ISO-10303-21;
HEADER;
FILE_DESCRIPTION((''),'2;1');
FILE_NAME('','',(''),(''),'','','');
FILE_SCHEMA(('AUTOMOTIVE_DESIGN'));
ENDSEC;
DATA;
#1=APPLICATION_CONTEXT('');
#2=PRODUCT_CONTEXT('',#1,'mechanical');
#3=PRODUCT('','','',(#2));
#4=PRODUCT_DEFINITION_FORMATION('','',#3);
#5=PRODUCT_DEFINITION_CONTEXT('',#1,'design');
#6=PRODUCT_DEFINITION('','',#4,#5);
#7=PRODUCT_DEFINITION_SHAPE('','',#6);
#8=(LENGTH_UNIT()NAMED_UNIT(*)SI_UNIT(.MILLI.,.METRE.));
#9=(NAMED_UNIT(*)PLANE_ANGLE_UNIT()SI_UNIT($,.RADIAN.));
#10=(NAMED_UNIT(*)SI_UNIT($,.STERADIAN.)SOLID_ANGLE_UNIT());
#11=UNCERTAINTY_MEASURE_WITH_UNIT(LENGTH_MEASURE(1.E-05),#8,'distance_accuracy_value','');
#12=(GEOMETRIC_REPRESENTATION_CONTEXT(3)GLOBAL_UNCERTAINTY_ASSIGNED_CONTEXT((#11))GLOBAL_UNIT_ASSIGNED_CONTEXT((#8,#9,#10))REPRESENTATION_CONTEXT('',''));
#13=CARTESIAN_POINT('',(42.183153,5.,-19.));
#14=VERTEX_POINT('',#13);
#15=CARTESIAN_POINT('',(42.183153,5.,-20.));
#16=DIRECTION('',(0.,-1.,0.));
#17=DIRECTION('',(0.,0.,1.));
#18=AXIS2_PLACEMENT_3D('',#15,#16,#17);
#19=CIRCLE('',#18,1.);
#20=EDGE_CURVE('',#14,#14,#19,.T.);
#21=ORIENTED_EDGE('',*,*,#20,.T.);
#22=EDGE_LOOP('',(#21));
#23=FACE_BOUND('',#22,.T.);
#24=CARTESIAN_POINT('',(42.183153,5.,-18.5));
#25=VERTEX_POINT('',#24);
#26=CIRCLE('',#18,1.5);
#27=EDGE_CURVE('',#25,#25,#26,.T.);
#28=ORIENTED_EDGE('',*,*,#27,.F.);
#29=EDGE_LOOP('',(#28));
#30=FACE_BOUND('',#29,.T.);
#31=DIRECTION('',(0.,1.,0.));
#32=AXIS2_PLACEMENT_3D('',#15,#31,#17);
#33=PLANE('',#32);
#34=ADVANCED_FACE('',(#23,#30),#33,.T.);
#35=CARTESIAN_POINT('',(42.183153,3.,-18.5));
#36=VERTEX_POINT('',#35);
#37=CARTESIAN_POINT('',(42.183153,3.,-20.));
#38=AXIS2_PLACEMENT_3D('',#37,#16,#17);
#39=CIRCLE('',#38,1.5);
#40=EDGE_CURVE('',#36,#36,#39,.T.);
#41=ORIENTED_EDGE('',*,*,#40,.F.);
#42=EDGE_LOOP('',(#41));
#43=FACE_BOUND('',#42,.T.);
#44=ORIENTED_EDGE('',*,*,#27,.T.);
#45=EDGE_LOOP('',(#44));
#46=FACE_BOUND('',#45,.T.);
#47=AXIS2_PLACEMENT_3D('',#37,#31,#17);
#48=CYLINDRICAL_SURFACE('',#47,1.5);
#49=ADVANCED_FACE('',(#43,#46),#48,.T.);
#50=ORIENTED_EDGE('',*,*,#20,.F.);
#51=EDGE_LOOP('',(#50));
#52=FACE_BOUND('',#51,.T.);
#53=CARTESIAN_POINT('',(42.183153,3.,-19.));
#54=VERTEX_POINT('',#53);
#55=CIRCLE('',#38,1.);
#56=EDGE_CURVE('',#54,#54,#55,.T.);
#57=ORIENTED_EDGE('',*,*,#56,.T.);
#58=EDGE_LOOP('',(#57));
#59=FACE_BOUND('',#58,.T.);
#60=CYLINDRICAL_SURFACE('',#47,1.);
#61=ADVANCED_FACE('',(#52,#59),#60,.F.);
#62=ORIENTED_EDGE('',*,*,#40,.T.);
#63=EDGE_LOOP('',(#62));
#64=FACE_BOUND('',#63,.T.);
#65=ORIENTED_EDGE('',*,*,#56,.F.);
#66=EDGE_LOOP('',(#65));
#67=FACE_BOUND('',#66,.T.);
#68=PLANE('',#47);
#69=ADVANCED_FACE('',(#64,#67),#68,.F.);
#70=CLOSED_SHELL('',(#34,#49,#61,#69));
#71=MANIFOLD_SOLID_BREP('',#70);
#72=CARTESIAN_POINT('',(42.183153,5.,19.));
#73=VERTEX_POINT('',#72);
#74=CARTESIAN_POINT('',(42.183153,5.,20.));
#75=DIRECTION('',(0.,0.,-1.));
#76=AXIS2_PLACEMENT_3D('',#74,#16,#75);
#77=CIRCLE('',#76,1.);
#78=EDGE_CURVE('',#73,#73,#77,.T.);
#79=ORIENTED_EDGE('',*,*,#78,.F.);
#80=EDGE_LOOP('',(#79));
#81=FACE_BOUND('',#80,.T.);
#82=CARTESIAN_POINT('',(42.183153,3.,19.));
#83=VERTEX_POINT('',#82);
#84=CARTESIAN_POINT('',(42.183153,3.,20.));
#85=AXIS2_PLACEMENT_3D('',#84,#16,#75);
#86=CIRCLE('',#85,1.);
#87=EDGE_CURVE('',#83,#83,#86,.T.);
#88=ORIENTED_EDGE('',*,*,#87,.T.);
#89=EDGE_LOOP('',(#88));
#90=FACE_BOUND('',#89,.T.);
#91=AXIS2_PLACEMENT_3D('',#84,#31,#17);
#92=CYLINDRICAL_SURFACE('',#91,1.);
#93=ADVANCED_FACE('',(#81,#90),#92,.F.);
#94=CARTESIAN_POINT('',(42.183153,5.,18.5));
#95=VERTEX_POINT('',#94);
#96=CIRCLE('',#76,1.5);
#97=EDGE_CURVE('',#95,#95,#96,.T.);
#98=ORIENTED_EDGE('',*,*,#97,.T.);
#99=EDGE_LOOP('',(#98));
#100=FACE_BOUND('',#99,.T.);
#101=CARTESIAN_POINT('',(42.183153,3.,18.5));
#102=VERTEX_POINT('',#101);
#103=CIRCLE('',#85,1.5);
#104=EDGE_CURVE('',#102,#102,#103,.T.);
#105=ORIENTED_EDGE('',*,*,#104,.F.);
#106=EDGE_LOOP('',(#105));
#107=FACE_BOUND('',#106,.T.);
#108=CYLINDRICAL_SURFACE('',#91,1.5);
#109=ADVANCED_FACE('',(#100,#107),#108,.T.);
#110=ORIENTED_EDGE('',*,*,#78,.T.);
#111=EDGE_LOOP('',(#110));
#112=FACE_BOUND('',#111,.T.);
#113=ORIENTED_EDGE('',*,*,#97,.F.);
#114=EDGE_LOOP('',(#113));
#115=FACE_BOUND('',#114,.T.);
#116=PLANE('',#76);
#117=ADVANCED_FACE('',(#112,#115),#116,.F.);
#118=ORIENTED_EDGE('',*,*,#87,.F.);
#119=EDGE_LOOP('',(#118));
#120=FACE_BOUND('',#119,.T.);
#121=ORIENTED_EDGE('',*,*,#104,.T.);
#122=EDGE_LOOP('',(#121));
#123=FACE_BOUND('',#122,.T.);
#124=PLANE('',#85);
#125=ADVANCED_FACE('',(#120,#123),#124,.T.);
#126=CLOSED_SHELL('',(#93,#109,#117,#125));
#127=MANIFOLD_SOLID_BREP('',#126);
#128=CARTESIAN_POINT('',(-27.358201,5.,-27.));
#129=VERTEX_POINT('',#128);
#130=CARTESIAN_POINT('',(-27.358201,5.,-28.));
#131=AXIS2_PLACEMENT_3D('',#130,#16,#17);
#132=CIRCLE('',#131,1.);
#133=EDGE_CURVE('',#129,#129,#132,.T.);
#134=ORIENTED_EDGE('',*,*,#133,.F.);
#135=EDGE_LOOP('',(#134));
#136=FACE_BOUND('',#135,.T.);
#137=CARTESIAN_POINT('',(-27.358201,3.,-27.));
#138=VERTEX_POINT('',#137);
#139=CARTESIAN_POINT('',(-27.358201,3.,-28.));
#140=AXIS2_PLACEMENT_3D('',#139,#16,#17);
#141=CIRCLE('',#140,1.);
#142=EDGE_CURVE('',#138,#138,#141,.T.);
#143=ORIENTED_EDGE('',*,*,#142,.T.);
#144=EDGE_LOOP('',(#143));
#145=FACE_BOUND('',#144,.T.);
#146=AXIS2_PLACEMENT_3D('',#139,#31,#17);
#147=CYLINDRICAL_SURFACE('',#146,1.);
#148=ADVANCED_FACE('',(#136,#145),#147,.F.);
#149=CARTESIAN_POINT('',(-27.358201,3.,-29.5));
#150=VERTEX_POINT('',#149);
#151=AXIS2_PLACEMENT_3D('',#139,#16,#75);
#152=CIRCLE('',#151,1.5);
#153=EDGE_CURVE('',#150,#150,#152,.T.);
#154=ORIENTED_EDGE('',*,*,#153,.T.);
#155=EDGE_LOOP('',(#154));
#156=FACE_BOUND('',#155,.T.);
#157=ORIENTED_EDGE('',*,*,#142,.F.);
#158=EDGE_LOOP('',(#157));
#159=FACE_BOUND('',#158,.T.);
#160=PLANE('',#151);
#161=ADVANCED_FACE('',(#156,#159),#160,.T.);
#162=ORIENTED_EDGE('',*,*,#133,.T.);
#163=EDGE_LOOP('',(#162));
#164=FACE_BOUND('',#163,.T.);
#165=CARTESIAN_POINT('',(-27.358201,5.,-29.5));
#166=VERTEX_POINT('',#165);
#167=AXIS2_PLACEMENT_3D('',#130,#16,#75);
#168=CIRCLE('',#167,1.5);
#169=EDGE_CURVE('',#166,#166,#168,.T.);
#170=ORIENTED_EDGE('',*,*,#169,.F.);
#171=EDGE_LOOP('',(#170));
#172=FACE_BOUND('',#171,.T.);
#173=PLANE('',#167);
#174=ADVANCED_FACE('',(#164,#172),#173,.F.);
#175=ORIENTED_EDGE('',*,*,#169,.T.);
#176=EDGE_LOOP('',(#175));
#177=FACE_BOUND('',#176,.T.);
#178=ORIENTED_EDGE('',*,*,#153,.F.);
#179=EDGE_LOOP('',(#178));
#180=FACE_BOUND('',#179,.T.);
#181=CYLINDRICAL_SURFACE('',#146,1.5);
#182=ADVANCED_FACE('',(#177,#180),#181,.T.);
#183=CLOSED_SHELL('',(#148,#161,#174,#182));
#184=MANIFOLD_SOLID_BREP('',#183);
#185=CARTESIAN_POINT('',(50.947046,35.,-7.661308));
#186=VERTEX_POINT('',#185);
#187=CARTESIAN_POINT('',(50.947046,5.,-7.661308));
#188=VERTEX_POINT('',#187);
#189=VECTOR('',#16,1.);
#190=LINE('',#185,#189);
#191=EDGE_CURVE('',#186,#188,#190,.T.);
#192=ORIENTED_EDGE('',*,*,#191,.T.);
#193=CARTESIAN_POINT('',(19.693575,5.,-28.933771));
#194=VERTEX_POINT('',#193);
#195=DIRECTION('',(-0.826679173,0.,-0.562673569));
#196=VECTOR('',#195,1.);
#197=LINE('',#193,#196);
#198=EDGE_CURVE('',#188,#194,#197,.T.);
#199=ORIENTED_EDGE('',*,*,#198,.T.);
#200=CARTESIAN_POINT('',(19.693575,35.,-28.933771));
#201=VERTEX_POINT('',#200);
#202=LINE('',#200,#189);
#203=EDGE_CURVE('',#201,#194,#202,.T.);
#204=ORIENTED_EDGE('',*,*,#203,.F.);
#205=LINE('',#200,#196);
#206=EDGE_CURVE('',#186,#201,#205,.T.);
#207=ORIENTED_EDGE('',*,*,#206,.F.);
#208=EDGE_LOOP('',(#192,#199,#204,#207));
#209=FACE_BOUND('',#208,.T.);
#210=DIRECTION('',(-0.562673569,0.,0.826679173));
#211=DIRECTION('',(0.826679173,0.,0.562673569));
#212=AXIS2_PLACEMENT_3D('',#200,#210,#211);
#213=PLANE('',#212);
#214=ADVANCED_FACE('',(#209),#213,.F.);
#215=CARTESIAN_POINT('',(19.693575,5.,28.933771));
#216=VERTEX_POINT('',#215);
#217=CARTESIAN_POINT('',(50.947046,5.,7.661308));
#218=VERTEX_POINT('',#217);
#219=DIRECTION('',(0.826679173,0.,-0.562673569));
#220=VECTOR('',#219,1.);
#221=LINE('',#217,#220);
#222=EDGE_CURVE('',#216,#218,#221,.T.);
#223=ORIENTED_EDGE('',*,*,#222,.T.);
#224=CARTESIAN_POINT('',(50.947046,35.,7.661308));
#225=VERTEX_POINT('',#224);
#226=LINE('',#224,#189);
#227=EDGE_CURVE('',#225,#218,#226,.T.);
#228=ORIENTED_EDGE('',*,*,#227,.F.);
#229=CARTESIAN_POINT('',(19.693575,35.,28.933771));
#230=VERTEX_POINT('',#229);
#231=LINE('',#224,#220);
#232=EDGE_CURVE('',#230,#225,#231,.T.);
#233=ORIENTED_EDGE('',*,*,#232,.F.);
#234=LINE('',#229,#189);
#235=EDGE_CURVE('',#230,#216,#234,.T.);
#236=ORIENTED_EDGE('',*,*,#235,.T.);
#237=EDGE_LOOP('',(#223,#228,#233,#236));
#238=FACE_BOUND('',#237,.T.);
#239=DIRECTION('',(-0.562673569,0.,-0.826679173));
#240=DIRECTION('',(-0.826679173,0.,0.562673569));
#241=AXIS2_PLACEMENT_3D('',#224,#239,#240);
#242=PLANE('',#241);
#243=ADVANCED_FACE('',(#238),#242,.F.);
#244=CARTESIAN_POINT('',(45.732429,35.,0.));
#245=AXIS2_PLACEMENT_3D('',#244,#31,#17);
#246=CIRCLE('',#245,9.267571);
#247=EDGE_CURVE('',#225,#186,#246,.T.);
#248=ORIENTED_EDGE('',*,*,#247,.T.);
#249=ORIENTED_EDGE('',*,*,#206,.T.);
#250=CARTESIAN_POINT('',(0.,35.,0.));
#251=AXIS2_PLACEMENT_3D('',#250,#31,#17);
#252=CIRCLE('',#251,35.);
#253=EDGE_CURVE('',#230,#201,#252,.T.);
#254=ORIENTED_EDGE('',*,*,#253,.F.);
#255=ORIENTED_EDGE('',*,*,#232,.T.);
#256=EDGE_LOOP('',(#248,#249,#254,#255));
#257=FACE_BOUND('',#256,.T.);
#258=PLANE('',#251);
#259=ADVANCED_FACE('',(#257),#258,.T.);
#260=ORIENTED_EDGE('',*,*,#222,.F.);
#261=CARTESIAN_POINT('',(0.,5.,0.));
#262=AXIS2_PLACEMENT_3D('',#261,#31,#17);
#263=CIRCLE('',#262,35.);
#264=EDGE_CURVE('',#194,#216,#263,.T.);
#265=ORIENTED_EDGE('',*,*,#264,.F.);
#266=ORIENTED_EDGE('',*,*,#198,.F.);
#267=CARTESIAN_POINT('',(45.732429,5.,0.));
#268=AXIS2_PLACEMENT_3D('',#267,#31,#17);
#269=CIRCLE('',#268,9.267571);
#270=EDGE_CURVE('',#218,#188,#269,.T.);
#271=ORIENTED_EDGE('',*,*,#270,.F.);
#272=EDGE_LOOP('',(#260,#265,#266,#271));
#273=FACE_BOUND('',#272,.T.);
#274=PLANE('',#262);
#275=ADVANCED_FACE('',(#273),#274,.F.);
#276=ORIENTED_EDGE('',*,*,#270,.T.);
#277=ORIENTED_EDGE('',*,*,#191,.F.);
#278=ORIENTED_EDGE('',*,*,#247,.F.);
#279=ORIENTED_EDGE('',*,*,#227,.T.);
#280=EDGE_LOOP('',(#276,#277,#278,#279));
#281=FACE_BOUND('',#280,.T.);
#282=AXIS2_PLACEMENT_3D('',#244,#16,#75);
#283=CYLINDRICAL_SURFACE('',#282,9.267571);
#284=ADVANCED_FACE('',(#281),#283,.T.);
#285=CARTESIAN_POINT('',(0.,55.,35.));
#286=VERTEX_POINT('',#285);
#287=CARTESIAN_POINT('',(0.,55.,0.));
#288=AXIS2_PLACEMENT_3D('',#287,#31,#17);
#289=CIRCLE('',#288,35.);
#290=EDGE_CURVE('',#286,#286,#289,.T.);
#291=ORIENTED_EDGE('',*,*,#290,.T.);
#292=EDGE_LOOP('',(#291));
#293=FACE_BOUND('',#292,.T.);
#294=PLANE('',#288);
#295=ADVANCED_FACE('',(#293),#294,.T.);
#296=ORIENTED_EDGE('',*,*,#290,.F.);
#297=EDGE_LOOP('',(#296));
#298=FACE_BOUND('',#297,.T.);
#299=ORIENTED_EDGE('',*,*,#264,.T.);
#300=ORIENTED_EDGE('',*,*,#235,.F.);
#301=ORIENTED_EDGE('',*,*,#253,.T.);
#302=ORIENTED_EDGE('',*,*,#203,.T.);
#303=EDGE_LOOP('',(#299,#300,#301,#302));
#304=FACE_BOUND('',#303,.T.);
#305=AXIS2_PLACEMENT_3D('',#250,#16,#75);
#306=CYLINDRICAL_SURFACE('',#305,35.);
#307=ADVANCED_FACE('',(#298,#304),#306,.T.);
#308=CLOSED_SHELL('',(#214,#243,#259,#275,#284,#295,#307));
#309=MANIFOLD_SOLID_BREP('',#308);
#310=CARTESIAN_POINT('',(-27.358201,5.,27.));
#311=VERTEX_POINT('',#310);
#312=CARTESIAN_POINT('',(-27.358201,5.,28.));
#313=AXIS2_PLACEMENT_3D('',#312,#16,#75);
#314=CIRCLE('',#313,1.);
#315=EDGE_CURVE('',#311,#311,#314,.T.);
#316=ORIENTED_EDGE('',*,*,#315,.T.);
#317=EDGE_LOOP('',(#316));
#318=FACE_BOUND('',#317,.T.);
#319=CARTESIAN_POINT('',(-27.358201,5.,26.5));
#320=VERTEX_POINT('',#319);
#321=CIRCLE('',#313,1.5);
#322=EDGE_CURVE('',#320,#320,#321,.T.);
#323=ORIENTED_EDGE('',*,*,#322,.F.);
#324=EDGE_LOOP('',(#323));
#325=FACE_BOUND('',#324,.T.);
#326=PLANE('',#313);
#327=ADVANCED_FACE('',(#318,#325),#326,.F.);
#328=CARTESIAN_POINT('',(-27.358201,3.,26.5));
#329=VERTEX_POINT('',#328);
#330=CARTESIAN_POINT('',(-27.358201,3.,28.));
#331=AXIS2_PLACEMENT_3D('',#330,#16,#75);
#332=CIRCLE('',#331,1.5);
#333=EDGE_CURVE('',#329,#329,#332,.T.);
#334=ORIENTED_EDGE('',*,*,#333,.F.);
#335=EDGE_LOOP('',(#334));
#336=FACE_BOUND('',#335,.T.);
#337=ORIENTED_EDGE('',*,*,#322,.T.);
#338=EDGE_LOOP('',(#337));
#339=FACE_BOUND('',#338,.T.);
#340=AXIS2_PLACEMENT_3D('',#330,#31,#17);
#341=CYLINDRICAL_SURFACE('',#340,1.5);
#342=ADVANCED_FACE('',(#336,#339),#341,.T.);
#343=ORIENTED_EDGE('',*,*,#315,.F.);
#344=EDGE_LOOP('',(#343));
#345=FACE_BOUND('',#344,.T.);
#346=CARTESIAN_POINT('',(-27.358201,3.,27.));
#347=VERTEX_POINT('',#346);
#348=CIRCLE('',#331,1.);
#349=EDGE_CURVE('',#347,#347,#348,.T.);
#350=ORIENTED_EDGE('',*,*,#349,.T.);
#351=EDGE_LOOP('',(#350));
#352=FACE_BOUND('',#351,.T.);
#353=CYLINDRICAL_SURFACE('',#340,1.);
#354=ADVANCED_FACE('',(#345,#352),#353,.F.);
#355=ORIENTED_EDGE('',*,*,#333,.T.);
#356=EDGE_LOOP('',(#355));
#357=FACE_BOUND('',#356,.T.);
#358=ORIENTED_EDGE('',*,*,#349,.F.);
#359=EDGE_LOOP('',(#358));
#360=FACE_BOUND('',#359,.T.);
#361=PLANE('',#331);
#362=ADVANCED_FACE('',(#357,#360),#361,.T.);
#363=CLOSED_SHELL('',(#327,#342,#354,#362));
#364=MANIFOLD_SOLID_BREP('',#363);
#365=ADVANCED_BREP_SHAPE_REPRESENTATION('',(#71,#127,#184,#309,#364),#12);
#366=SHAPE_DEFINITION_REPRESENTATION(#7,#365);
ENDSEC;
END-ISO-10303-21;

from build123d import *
from build123d.topology import SkipClean

# Parameters (mm, degrees)
EXTRUDE_START     = 5
EXTRUDE_1_DEPTH   = 30
SKETCH_2_R        = 35
EXTRUDE_2_DEPTH   = 20
SKETCH_3_R        = 1.5
SKETCH_3_R_2      = 1
EXTRUDE_3_DEPTH   = 2
EXTRUDE_3_2_DEPTH = 2
EXTRUDE_3_3_DEPTH = 2
EXTRUDE_3_4_DEPTH = 2


with BuildPart() as part:
    # 草图1 → 凸台-拉伸1 (new body)
    with BuildSketch(Plane(origin=(0, 0, 0), x_dir=(1, 0, 0), z_dir=(0, 1, 0)).offset(EXTRUDE_START)):
        with BuildLine():
            Line((19.693574926, 28.933771041), (50.947046313, 7.661307814))
            ThreePointArc((50.947046313, 7.661307814), (55, 0), (50.947046313, -7.661307814))
            Line((50.947046313, -7.661307814), (19.693574926, -28.933771041))
            ThreePointArc((19.693574926, -28.933771041), (-35, 0), (19.693574926, 28.933771041))
        make_face()
    extrude(amount=EXTRUDE_1_DEPTH)

    # 草图2 → 凸台-拉伸2 (add)
    with SkipClean():  # the faces are left unmerged after this step: merging them gives an invalid solid
        with BuildSketch(Plane(origin=(0, 35, 0), x_dir=(1, 0, 0), z_dir=(0, 1, 0))):
            with Locations(Location((0, 0, 0), (0, 0, 55.759104726))):
                Circle(SKETCH_2_R)
        extrude(amount=EXTRUDE_2_DEPTH)


with BuildPart() as body_2:
    # 草图3 → 凸台-拉伸3 (new body)
    with BuildSketch(Plane.XZ.offset(-5)):
        with Locations(Location((42.183153241, 20, 0), (0, 0, 270))):
            Circle(SKETCH_3_R)
        with Locations(Location((42.183153241, 20, 0), (0, 0, 270))):
            Circle(SKETCH_3_R_2, mode=Mode.SUBTRACT)
    extrude(amount=EXTRUDE_3_DEPTH)


with BuildPart() as body_3:
    # 草图3 → Extrude 3 2 (new body)
    with BuildSketch(Plane.XZ.offset(-5)):
        with Locations(Location((-27.358201361, 28, 0), (0, 0, 270))):
            Circle(SKETCH_3_R)
        with Locations(Location((-27.358201361, 28, 0), (0, 0, 270))):
            Circle(SKETCH_3_R_2, mode=Mode.SUBTRACT)
    extrude(amount=EXTRUDE_3_2_DEPTH)


with BuildPart() as body_4:
    # 草图3 → Extrude 3 3 (new body)
    with BuildSketch(Plane.XZ.offset(-5)):
        with Locations(Location((42.183153241, -20, 0), (0, 0, 90))):
            Circle(SKETCH_3_R)
        with Locations(Location((42.183153241, -20, 0), (0, 0, 90))):
            Circle(SKETCH_3_R_2, mode=Mode.SUBTRACT)
    extrude(amount=EXTRUDE_3_3_DEPTH)


with BuildPart() as body_5:
    # 草图3 → Extrude 3 4 (new body)
    with BuildSketch(Plane.XZ.offset(-5)):
        with Locations(Location((-27.358201361, -28, 0), (0, 0, 270))):
            Circle(SKETCH_3_R)
        with Locations(Location((-27.358201361, -28, 0), (0, 0, 90))):
            Circle(SKETCH_3_R_2, mode=Mode.SUBTRACT)
    extrude(amount=EXTRUDE_3_4_DEPTH)


solid = Compound([part.part, body_2.part, body_3.part, body_4.part, body_5.part])
